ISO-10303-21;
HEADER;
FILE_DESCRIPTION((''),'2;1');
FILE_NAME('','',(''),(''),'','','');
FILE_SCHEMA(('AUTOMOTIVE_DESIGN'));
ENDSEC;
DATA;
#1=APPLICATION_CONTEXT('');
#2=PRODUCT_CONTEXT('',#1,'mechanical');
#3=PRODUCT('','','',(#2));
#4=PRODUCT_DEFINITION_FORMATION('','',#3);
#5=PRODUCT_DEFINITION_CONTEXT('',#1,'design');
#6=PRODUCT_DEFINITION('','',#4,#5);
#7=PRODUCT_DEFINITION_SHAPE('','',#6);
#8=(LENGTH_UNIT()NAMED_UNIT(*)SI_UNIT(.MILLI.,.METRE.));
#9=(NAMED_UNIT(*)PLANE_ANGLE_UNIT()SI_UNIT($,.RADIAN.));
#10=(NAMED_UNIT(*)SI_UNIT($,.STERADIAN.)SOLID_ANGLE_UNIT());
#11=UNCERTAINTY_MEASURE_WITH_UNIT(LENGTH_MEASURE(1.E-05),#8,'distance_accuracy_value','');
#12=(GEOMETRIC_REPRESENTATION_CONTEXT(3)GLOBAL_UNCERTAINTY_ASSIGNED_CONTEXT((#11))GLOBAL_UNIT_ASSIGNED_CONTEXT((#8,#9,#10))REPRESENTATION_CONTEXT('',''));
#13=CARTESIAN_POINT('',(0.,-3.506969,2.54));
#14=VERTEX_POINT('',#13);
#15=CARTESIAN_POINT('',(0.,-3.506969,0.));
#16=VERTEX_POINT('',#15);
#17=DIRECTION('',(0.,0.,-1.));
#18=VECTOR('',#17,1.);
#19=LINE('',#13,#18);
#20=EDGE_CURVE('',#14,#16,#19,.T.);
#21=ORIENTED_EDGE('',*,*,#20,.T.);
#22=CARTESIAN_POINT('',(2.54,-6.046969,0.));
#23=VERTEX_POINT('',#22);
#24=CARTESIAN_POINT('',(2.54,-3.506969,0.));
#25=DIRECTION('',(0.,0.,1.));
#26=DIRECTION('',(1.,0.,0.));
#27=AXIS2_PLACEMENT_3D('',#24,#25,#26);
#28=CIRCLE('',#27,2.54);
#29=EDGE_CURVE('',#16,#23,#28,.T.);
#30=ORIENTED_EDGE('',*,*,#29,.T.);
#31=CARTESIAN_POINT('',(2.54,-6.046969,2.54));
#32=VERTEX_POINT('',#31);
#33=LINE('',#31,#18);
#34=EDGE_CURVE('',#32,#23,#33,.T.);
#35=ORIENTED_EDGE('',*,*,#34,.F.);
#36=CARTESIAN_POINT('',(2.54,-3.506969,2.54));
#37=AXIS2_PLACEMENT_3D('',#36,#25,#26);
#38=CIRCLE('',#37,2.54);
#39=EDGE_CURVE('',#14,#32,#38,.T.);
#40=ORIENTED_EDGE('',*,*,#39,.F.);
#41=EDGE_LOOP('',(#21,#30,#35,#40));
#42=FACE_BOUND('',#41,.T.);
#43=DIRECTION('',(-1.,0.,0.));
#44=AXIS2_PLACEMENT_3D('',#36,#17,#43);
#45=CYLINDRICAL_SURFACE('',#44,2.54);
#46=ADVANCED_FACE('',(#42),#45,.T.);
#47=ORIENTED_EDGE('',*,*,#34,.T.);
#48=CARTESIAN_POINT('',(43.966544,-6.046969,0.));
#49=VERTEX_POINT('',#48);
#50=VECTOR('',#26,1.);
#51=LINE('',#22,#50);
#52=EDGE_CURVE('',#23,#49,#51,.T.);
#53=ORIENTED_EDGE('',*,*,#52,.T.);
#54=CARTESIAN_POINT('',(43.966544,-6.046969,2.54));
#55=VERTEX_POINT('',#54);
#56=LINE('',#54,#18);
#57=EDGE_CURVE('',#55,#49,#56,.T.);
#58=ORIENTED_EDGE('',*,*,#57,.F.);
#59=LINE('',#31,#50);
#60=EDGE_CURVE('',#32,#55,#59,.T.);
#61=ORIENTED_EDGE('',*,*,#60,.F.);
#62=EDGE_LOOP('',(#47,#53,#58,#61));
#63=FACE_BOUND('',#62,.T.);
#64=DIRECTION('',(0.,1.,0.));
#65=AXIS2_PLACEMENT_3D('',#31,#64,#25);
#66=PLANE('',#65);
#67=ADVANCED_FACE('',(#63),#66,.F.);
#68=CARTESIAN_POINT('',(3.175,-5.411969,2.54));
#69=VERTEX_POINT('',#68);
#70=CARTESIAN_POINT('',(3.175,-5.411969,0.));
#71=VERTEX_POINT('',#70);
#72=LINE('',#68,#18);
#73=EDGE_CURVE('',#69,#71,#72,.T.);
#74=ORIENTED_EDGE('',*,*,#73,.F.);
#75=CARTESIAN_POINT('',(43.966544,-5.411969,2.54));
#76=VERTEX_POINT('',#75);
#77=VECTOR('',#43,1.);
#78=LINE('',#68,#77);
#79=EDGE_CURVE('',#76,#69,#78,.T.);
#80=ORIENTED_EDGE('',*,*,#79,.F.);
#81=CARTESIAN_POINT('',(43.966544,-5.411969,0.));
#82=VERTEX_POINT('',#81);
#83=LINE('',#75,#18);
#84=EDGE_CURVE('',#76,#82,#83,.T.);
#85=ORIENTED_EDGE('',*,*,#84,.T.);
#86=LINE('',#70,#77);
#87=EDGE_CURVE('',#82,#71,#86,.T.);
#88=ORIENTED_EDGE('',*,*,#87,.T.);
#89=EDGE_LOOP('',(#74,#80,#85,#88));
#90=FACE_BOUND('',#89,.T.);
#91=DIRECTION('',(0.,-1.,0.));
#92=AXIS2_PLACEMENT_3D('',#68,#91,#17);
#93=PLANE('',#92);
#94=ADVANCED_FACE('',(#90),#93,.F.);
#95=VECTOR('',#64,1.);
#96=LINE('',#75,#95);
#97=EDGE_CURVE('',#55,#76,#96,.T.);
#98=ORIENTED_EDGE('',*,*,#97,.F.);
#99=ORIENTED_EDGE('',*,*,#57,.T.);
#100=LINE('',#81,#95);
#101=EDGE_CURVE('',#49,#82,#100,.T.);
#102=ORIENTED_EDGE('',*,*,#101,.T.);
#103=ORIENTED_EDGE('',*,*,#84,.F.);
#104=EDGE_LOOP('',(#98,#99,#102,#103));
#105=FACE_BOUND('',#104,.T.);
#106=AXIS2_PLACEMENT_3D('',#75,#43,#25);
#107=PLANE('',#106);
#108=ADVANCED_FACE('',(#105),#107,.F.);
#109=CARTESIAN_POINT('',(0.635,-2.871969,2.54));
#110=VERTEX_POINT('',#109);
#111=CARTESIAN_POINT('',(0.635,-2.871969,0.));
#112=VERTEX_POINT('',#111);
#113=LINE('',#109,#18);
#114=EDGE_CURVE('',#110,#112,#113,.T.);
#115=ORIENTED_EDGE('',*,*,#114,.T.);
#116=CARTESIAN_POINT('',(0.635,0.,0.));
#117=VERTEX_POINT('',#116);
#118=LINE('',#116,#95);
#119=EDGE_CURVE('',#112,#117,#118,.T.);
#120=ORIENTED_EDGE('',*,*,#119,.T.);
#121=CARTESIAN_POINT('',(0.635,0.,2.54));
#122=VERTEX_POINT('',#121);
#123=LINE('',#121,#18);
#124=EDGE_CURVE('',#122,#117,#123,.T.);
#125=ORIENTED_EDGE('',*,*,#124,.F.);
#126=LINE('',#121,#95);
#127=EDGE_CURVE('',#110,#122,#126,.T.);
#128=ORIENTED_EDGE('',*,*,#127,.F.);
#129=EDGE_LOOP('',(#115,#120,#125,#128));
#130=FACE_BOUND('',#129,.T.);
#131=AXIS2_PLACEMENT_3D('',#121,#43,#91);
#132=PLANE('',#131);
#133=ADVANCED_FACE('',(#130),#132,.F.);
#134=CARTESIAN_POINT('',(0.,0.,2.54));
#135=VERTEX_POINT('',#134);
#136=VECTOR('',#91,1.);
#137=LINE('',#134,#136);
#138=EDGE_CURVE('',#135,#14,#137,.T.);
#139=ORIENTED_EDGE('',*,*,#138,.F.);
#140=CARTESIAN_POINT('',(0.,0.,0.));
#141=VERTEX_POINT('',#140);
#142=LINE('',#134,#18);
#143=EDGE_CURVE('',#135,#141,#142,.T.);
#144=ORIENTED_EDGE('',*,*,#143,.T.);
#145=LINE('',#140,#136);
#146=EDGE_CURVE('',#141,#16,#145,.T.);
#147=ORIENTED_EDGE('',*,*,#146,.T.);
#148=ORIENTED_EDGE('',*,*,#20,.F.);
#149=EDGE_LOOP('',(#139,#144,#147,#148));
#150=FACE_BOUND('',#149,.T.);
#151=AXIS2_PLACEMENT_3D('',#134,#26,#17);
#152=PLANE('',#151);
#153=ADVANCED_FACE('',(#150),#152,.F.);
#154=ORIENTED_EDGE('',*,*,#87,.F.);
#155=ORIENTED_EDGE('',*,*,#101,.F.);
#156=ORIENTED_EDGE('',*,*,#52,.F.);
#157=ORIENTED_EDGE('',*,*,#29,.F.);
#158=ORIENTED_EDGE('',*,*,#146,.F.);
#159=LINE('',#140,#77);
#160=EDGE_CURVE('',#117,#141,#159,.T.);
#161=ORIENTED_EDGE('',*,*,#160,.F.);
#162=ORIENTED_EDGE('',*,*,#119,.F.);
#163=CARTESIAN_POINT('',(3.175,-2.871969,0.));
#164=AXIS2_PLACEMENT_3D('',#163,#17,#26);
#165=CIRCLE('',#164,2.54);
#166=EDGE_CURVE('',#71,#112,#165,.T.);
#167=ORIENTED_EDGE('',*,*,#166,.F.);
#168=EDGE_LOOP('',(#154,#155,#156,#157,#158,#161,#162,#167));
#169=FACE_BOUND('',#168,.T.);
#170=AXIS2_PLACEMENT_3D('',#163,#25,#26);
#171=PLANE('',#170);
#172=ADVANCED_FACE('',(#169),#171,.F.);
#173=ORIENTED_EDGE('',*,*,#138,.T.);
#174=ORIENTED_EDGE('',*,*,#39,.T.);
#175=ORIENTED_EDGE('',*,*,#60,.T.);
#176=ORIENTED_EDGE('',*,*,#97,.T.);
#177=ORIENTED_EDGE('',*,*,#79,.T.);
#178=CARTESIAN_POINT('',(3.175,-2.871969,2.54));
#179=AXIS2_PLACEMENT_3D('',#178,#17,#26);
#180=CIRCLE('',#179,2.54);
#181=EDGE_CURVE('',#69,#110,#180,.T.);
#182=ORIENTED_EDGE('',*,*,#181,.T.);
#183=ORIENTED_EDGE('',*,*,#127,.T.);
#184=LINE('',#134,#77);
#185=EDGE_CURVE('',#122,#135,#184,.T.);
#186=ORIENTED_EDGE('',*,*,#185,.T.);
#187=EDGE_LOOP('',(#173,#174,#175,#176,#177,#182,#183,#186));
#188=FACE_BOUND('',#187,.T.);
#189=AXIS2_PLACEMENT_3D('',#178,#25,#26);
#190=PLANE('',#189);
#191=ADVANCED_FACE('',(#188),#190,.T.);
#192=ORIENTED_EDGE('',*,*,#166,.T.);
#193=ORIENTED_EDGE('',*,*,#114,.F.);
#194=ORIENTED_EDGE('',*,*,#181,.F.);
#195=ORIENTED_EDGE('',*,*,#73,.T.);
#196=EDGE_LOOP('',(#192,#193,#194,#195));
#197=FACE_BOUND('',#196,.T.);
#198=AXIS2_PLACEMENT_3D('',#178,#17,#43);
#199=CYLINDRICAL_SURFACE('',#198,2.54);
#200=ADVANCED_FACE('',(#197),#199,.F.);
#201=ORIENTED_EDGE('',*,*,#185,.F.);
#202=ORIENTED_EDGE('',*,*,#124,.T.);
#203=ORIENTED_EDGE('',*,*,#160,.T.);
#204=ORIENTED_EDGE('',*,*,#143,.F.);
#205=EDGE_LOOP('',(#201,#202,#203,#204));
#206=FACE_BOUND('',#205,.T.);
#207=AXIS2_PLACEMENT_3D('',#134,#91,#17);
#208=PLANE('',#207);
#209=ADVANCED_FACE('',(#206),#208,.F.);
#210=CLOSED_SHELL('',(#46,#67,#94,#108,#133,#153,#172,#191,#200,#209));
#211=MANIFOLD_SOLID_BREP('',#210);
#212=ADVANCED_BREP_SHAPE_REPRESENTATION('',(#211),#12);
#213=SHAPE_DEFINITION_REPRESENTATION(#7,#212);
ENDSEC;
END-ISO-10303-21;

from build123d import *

# Parameters (mm, degrees)
EXTRUDE1_DEPTH = 2.54


with BuildPart() as part:
    # Sketch1 → Extrude1 (new body)
    with BuildSketch(Plane.XY):
        with BuildLine():
            Line((0, 0), (0, -3.50696882))
            ThreePointArc((0, -3.50696882), (0.743948776, -5.303020044), (2.54, -6.04696882))
            Line((2.54, -6.04696882), (43.966543552, -6.04696882))
            Line((43.966543552, -6.04696882), (43.966543552, -5.41196882))
            Line((43.966543552, -5.41196882), (3.175, -5.41196882))
            ThreePointArc((3.175, -5.41196882), (1.378948776, -4.668020044), (0.635, -2.87196882))
            Line((0.635, -2.87196882), (0.635, 0))
            Line((0.635, 0), (0, 0))
        make_face()
    extrude(amount=EXTRUDE1_DEPTH)


solid = part.part
